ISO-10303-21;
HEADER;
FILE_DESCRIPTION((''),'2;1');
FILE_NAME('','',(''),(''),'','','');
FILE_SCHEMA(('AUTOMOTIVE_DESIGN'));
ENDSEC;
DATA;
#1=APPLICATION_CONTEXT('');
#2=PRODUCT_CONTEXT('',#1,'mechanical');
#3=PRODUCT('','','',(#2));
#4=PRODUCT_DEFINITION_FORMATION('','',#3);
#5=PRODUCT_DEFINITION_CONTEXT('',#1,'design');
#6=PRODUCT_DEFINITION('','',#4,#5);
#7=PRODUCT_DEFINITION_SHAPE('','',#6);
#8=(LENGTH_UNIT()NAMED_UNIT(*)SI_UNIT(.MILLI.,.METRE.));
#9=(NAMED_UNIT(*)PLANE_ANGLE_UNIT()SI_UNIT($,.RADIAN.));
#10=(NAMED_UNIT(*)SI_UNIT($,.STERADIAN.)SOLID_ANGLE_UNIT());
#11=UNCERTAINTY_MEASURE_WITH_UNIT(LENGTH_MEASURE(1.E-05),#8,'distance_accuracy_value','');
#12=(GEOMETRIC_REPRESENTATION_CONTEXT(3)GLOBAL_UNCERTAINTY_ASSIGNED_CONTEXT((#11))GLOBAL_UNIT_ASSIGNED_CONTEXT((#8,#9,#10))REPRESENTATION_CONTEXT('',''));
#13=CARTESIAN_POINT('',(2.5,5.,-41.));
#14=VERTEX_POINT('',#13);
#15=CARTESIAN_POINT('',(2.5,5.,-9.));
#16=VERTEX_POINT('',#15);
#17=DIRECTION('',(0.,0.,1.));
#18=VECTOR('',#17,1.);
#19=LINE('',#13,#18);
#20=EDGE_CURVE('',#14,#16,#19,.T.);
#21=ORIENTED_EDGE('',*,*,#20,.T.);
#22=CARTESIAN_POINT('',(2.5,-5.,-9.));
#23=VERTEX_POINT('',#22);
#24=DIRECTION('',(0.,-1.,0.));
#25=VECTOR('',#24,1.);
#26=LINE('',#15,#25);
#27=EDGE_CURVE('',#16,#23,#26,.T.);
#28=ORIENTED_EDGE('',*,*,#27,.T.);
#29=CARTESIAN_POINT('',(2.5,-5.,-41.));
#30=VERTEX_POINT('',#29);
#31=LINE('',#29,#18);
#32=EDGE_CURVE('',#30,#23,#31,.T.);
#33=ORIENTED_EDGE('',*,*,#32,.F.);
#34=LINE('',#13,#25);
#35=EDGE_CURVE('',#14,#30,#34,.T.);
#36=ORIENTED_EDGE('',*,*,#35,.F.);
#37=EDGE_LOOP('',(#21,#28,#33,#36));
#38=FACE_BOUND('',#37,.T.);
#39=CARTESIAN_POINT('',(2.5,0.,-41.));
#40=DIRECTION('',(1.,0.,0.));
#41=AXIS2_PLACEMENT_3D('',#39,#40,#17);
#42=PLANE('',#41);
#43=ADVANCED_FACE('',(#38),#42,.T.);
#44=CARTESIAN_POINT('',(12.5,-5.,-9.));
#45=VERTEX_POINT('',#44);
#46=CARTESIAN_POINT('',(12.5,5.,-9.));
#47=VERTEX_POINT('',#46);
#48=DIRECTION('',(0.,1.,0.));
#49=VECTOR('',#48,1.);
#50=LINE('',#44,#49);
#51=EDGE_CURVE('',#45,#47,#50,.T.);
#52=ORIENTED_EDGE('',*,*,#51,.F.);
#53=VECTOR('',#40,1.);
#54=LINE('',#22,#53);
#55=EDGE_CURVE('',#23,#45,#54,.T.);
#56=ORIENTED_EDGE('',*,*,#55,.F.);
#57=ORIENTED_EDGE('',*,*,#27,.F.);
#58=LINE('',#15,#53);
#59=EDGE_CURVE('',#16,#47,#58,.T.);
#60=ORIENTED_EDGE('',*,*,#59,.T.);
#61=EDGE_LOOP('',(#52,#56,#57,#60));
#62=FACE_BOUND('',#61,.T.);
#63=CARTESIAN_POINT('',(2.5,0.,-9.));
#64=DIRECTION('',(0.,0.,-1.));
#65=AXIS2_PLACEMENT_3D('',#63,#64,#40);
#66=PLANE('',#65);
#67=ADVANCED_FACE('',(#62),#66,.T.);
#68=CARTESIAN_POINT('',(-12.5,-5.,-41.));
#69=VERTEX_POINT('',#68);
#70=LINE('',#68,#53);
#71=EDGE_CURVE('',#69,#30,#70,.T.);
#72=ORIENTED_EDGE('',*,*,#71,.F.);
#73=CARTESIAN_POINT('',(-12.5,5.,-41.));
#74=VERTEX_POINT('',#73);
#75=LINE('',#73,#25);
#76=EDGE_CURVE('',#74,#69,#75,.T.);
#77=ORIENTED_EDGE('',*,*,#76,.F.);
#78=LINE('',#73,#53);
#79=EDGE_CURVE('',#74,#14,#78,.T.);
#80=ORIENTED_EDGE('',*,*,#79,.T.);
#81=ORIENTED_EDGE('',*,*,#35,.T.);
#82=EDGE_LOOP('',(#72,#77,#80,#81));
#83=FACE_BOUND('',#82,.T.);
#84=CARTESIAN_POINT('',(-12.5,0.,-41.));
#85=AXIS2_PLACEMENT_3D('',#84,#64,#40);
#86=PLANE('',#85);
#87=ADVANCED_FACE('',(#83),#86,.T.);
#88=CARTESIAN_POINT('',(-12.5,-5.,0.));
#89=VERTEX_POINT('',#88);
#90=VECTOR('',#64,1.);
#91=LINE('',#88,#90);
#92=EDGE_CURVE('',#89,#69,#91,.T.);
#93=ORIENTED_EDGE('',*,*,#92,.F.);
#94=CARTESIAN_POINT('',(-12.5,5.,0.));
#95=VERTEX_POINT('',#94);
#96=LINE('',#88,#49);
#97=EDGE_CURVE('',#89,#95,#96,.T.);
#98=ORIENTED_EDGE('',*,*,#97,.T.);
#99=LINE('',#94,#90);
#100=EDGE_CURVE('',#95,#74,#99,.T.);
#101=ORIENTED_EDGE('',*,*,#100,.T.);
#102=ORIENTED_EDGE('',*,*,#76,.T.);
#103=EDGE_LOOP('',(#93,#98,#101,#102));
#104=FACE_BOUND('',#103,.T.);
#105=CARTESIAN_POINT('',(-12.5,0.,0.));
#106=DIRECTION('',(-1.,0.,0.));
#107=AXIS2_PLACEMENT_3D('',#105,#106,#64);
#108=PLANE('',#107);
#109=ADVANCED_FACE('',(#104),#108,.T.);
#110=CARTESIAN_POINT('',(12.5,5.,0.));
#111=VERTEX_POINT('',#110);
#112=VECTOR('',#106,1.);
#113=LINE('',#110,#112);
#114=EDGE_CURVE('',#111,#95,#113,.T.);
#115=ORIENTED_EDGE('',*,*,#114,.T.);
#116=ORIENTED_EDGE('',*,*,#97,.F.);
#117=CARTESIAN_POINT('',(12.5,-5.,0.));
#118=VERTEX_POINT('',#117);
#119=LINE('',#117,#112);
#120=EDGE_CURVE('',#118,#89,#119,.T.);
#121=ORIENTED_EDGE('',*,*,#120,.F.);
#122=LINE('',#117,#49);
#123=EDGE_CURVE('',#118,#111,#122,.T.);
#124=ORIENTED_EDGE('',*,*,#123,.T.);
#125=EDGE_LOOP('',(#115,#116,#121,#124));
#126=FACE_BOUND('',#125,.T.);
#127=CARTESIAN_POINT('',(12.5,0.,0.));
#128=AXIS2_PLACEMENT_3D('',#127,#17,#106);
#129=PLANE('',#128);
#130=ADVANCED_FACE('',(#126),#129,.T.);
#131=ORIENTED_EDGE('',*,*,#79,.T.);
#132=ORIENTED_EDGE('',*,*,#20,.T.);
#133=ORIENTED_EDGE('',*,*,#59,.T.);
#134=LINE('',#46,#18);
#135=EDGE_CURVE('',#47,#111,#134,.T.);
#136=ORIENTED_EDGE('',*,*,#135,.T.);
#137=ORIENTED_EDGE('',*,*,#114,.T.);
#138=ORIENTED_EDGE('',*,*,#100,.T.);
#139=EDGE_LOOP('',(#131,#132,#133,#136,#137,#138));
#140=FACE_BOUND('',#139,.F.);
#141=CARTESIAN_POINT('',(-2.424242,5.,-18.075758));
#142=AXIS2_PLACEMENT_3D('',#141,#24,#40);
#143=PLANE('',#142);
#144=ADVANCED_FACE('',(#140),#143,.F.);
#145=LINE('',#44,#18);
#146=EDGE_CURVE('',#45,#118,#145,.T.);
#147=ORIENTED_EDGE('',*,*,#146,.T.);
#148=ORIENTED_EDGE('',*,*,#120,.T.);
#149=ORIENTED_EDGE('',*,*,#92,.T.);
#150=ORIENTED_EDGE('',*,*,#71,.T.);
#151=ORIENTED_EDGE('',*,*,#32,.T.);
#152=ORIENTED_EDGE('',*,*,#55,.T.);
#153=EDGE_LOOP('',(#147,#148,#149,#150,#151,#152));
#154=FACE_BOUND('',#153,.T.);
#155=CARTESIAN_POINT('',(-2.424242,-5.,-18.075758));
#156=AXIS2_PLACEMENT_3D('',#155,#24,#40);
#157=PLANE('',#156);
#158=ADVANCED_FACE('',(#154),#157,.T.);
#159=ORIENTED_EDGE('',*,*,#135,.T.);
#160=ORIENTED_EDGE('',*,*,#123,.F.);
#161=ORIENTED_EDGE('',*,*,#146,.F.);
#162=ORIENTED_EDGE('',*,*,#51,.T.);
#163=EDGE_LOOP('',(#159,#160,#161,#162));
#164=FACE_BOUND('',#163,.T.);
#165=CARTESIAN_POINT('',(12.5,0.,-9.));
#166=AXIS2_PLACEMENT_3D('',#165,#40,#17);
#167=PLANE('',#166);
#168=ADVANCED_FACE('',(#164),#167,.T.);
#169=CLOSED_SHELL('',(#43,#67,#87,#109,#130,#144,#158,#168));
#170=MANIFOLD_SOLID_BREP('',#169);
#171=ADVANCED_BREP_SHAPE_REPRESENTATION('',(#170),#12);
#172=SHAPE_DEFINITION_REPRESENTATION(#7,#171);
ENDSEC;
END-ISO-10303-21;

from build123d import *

# Parameters (mm, degrees)
PAD_DEPTH = 5


with BuildPart() as part:
    # Sketch → Pad (new body, symmetric)
    with BuildSketch(Plane.XZ):
        Polygon((-12.5, 0), (-12.5, -41), (2.5, -41), (2.5, -9), (12.5, -9), (12.5, 0), align=None)
    extrude(amount=PAD_DEPTH, both=True)


solid = part.part
